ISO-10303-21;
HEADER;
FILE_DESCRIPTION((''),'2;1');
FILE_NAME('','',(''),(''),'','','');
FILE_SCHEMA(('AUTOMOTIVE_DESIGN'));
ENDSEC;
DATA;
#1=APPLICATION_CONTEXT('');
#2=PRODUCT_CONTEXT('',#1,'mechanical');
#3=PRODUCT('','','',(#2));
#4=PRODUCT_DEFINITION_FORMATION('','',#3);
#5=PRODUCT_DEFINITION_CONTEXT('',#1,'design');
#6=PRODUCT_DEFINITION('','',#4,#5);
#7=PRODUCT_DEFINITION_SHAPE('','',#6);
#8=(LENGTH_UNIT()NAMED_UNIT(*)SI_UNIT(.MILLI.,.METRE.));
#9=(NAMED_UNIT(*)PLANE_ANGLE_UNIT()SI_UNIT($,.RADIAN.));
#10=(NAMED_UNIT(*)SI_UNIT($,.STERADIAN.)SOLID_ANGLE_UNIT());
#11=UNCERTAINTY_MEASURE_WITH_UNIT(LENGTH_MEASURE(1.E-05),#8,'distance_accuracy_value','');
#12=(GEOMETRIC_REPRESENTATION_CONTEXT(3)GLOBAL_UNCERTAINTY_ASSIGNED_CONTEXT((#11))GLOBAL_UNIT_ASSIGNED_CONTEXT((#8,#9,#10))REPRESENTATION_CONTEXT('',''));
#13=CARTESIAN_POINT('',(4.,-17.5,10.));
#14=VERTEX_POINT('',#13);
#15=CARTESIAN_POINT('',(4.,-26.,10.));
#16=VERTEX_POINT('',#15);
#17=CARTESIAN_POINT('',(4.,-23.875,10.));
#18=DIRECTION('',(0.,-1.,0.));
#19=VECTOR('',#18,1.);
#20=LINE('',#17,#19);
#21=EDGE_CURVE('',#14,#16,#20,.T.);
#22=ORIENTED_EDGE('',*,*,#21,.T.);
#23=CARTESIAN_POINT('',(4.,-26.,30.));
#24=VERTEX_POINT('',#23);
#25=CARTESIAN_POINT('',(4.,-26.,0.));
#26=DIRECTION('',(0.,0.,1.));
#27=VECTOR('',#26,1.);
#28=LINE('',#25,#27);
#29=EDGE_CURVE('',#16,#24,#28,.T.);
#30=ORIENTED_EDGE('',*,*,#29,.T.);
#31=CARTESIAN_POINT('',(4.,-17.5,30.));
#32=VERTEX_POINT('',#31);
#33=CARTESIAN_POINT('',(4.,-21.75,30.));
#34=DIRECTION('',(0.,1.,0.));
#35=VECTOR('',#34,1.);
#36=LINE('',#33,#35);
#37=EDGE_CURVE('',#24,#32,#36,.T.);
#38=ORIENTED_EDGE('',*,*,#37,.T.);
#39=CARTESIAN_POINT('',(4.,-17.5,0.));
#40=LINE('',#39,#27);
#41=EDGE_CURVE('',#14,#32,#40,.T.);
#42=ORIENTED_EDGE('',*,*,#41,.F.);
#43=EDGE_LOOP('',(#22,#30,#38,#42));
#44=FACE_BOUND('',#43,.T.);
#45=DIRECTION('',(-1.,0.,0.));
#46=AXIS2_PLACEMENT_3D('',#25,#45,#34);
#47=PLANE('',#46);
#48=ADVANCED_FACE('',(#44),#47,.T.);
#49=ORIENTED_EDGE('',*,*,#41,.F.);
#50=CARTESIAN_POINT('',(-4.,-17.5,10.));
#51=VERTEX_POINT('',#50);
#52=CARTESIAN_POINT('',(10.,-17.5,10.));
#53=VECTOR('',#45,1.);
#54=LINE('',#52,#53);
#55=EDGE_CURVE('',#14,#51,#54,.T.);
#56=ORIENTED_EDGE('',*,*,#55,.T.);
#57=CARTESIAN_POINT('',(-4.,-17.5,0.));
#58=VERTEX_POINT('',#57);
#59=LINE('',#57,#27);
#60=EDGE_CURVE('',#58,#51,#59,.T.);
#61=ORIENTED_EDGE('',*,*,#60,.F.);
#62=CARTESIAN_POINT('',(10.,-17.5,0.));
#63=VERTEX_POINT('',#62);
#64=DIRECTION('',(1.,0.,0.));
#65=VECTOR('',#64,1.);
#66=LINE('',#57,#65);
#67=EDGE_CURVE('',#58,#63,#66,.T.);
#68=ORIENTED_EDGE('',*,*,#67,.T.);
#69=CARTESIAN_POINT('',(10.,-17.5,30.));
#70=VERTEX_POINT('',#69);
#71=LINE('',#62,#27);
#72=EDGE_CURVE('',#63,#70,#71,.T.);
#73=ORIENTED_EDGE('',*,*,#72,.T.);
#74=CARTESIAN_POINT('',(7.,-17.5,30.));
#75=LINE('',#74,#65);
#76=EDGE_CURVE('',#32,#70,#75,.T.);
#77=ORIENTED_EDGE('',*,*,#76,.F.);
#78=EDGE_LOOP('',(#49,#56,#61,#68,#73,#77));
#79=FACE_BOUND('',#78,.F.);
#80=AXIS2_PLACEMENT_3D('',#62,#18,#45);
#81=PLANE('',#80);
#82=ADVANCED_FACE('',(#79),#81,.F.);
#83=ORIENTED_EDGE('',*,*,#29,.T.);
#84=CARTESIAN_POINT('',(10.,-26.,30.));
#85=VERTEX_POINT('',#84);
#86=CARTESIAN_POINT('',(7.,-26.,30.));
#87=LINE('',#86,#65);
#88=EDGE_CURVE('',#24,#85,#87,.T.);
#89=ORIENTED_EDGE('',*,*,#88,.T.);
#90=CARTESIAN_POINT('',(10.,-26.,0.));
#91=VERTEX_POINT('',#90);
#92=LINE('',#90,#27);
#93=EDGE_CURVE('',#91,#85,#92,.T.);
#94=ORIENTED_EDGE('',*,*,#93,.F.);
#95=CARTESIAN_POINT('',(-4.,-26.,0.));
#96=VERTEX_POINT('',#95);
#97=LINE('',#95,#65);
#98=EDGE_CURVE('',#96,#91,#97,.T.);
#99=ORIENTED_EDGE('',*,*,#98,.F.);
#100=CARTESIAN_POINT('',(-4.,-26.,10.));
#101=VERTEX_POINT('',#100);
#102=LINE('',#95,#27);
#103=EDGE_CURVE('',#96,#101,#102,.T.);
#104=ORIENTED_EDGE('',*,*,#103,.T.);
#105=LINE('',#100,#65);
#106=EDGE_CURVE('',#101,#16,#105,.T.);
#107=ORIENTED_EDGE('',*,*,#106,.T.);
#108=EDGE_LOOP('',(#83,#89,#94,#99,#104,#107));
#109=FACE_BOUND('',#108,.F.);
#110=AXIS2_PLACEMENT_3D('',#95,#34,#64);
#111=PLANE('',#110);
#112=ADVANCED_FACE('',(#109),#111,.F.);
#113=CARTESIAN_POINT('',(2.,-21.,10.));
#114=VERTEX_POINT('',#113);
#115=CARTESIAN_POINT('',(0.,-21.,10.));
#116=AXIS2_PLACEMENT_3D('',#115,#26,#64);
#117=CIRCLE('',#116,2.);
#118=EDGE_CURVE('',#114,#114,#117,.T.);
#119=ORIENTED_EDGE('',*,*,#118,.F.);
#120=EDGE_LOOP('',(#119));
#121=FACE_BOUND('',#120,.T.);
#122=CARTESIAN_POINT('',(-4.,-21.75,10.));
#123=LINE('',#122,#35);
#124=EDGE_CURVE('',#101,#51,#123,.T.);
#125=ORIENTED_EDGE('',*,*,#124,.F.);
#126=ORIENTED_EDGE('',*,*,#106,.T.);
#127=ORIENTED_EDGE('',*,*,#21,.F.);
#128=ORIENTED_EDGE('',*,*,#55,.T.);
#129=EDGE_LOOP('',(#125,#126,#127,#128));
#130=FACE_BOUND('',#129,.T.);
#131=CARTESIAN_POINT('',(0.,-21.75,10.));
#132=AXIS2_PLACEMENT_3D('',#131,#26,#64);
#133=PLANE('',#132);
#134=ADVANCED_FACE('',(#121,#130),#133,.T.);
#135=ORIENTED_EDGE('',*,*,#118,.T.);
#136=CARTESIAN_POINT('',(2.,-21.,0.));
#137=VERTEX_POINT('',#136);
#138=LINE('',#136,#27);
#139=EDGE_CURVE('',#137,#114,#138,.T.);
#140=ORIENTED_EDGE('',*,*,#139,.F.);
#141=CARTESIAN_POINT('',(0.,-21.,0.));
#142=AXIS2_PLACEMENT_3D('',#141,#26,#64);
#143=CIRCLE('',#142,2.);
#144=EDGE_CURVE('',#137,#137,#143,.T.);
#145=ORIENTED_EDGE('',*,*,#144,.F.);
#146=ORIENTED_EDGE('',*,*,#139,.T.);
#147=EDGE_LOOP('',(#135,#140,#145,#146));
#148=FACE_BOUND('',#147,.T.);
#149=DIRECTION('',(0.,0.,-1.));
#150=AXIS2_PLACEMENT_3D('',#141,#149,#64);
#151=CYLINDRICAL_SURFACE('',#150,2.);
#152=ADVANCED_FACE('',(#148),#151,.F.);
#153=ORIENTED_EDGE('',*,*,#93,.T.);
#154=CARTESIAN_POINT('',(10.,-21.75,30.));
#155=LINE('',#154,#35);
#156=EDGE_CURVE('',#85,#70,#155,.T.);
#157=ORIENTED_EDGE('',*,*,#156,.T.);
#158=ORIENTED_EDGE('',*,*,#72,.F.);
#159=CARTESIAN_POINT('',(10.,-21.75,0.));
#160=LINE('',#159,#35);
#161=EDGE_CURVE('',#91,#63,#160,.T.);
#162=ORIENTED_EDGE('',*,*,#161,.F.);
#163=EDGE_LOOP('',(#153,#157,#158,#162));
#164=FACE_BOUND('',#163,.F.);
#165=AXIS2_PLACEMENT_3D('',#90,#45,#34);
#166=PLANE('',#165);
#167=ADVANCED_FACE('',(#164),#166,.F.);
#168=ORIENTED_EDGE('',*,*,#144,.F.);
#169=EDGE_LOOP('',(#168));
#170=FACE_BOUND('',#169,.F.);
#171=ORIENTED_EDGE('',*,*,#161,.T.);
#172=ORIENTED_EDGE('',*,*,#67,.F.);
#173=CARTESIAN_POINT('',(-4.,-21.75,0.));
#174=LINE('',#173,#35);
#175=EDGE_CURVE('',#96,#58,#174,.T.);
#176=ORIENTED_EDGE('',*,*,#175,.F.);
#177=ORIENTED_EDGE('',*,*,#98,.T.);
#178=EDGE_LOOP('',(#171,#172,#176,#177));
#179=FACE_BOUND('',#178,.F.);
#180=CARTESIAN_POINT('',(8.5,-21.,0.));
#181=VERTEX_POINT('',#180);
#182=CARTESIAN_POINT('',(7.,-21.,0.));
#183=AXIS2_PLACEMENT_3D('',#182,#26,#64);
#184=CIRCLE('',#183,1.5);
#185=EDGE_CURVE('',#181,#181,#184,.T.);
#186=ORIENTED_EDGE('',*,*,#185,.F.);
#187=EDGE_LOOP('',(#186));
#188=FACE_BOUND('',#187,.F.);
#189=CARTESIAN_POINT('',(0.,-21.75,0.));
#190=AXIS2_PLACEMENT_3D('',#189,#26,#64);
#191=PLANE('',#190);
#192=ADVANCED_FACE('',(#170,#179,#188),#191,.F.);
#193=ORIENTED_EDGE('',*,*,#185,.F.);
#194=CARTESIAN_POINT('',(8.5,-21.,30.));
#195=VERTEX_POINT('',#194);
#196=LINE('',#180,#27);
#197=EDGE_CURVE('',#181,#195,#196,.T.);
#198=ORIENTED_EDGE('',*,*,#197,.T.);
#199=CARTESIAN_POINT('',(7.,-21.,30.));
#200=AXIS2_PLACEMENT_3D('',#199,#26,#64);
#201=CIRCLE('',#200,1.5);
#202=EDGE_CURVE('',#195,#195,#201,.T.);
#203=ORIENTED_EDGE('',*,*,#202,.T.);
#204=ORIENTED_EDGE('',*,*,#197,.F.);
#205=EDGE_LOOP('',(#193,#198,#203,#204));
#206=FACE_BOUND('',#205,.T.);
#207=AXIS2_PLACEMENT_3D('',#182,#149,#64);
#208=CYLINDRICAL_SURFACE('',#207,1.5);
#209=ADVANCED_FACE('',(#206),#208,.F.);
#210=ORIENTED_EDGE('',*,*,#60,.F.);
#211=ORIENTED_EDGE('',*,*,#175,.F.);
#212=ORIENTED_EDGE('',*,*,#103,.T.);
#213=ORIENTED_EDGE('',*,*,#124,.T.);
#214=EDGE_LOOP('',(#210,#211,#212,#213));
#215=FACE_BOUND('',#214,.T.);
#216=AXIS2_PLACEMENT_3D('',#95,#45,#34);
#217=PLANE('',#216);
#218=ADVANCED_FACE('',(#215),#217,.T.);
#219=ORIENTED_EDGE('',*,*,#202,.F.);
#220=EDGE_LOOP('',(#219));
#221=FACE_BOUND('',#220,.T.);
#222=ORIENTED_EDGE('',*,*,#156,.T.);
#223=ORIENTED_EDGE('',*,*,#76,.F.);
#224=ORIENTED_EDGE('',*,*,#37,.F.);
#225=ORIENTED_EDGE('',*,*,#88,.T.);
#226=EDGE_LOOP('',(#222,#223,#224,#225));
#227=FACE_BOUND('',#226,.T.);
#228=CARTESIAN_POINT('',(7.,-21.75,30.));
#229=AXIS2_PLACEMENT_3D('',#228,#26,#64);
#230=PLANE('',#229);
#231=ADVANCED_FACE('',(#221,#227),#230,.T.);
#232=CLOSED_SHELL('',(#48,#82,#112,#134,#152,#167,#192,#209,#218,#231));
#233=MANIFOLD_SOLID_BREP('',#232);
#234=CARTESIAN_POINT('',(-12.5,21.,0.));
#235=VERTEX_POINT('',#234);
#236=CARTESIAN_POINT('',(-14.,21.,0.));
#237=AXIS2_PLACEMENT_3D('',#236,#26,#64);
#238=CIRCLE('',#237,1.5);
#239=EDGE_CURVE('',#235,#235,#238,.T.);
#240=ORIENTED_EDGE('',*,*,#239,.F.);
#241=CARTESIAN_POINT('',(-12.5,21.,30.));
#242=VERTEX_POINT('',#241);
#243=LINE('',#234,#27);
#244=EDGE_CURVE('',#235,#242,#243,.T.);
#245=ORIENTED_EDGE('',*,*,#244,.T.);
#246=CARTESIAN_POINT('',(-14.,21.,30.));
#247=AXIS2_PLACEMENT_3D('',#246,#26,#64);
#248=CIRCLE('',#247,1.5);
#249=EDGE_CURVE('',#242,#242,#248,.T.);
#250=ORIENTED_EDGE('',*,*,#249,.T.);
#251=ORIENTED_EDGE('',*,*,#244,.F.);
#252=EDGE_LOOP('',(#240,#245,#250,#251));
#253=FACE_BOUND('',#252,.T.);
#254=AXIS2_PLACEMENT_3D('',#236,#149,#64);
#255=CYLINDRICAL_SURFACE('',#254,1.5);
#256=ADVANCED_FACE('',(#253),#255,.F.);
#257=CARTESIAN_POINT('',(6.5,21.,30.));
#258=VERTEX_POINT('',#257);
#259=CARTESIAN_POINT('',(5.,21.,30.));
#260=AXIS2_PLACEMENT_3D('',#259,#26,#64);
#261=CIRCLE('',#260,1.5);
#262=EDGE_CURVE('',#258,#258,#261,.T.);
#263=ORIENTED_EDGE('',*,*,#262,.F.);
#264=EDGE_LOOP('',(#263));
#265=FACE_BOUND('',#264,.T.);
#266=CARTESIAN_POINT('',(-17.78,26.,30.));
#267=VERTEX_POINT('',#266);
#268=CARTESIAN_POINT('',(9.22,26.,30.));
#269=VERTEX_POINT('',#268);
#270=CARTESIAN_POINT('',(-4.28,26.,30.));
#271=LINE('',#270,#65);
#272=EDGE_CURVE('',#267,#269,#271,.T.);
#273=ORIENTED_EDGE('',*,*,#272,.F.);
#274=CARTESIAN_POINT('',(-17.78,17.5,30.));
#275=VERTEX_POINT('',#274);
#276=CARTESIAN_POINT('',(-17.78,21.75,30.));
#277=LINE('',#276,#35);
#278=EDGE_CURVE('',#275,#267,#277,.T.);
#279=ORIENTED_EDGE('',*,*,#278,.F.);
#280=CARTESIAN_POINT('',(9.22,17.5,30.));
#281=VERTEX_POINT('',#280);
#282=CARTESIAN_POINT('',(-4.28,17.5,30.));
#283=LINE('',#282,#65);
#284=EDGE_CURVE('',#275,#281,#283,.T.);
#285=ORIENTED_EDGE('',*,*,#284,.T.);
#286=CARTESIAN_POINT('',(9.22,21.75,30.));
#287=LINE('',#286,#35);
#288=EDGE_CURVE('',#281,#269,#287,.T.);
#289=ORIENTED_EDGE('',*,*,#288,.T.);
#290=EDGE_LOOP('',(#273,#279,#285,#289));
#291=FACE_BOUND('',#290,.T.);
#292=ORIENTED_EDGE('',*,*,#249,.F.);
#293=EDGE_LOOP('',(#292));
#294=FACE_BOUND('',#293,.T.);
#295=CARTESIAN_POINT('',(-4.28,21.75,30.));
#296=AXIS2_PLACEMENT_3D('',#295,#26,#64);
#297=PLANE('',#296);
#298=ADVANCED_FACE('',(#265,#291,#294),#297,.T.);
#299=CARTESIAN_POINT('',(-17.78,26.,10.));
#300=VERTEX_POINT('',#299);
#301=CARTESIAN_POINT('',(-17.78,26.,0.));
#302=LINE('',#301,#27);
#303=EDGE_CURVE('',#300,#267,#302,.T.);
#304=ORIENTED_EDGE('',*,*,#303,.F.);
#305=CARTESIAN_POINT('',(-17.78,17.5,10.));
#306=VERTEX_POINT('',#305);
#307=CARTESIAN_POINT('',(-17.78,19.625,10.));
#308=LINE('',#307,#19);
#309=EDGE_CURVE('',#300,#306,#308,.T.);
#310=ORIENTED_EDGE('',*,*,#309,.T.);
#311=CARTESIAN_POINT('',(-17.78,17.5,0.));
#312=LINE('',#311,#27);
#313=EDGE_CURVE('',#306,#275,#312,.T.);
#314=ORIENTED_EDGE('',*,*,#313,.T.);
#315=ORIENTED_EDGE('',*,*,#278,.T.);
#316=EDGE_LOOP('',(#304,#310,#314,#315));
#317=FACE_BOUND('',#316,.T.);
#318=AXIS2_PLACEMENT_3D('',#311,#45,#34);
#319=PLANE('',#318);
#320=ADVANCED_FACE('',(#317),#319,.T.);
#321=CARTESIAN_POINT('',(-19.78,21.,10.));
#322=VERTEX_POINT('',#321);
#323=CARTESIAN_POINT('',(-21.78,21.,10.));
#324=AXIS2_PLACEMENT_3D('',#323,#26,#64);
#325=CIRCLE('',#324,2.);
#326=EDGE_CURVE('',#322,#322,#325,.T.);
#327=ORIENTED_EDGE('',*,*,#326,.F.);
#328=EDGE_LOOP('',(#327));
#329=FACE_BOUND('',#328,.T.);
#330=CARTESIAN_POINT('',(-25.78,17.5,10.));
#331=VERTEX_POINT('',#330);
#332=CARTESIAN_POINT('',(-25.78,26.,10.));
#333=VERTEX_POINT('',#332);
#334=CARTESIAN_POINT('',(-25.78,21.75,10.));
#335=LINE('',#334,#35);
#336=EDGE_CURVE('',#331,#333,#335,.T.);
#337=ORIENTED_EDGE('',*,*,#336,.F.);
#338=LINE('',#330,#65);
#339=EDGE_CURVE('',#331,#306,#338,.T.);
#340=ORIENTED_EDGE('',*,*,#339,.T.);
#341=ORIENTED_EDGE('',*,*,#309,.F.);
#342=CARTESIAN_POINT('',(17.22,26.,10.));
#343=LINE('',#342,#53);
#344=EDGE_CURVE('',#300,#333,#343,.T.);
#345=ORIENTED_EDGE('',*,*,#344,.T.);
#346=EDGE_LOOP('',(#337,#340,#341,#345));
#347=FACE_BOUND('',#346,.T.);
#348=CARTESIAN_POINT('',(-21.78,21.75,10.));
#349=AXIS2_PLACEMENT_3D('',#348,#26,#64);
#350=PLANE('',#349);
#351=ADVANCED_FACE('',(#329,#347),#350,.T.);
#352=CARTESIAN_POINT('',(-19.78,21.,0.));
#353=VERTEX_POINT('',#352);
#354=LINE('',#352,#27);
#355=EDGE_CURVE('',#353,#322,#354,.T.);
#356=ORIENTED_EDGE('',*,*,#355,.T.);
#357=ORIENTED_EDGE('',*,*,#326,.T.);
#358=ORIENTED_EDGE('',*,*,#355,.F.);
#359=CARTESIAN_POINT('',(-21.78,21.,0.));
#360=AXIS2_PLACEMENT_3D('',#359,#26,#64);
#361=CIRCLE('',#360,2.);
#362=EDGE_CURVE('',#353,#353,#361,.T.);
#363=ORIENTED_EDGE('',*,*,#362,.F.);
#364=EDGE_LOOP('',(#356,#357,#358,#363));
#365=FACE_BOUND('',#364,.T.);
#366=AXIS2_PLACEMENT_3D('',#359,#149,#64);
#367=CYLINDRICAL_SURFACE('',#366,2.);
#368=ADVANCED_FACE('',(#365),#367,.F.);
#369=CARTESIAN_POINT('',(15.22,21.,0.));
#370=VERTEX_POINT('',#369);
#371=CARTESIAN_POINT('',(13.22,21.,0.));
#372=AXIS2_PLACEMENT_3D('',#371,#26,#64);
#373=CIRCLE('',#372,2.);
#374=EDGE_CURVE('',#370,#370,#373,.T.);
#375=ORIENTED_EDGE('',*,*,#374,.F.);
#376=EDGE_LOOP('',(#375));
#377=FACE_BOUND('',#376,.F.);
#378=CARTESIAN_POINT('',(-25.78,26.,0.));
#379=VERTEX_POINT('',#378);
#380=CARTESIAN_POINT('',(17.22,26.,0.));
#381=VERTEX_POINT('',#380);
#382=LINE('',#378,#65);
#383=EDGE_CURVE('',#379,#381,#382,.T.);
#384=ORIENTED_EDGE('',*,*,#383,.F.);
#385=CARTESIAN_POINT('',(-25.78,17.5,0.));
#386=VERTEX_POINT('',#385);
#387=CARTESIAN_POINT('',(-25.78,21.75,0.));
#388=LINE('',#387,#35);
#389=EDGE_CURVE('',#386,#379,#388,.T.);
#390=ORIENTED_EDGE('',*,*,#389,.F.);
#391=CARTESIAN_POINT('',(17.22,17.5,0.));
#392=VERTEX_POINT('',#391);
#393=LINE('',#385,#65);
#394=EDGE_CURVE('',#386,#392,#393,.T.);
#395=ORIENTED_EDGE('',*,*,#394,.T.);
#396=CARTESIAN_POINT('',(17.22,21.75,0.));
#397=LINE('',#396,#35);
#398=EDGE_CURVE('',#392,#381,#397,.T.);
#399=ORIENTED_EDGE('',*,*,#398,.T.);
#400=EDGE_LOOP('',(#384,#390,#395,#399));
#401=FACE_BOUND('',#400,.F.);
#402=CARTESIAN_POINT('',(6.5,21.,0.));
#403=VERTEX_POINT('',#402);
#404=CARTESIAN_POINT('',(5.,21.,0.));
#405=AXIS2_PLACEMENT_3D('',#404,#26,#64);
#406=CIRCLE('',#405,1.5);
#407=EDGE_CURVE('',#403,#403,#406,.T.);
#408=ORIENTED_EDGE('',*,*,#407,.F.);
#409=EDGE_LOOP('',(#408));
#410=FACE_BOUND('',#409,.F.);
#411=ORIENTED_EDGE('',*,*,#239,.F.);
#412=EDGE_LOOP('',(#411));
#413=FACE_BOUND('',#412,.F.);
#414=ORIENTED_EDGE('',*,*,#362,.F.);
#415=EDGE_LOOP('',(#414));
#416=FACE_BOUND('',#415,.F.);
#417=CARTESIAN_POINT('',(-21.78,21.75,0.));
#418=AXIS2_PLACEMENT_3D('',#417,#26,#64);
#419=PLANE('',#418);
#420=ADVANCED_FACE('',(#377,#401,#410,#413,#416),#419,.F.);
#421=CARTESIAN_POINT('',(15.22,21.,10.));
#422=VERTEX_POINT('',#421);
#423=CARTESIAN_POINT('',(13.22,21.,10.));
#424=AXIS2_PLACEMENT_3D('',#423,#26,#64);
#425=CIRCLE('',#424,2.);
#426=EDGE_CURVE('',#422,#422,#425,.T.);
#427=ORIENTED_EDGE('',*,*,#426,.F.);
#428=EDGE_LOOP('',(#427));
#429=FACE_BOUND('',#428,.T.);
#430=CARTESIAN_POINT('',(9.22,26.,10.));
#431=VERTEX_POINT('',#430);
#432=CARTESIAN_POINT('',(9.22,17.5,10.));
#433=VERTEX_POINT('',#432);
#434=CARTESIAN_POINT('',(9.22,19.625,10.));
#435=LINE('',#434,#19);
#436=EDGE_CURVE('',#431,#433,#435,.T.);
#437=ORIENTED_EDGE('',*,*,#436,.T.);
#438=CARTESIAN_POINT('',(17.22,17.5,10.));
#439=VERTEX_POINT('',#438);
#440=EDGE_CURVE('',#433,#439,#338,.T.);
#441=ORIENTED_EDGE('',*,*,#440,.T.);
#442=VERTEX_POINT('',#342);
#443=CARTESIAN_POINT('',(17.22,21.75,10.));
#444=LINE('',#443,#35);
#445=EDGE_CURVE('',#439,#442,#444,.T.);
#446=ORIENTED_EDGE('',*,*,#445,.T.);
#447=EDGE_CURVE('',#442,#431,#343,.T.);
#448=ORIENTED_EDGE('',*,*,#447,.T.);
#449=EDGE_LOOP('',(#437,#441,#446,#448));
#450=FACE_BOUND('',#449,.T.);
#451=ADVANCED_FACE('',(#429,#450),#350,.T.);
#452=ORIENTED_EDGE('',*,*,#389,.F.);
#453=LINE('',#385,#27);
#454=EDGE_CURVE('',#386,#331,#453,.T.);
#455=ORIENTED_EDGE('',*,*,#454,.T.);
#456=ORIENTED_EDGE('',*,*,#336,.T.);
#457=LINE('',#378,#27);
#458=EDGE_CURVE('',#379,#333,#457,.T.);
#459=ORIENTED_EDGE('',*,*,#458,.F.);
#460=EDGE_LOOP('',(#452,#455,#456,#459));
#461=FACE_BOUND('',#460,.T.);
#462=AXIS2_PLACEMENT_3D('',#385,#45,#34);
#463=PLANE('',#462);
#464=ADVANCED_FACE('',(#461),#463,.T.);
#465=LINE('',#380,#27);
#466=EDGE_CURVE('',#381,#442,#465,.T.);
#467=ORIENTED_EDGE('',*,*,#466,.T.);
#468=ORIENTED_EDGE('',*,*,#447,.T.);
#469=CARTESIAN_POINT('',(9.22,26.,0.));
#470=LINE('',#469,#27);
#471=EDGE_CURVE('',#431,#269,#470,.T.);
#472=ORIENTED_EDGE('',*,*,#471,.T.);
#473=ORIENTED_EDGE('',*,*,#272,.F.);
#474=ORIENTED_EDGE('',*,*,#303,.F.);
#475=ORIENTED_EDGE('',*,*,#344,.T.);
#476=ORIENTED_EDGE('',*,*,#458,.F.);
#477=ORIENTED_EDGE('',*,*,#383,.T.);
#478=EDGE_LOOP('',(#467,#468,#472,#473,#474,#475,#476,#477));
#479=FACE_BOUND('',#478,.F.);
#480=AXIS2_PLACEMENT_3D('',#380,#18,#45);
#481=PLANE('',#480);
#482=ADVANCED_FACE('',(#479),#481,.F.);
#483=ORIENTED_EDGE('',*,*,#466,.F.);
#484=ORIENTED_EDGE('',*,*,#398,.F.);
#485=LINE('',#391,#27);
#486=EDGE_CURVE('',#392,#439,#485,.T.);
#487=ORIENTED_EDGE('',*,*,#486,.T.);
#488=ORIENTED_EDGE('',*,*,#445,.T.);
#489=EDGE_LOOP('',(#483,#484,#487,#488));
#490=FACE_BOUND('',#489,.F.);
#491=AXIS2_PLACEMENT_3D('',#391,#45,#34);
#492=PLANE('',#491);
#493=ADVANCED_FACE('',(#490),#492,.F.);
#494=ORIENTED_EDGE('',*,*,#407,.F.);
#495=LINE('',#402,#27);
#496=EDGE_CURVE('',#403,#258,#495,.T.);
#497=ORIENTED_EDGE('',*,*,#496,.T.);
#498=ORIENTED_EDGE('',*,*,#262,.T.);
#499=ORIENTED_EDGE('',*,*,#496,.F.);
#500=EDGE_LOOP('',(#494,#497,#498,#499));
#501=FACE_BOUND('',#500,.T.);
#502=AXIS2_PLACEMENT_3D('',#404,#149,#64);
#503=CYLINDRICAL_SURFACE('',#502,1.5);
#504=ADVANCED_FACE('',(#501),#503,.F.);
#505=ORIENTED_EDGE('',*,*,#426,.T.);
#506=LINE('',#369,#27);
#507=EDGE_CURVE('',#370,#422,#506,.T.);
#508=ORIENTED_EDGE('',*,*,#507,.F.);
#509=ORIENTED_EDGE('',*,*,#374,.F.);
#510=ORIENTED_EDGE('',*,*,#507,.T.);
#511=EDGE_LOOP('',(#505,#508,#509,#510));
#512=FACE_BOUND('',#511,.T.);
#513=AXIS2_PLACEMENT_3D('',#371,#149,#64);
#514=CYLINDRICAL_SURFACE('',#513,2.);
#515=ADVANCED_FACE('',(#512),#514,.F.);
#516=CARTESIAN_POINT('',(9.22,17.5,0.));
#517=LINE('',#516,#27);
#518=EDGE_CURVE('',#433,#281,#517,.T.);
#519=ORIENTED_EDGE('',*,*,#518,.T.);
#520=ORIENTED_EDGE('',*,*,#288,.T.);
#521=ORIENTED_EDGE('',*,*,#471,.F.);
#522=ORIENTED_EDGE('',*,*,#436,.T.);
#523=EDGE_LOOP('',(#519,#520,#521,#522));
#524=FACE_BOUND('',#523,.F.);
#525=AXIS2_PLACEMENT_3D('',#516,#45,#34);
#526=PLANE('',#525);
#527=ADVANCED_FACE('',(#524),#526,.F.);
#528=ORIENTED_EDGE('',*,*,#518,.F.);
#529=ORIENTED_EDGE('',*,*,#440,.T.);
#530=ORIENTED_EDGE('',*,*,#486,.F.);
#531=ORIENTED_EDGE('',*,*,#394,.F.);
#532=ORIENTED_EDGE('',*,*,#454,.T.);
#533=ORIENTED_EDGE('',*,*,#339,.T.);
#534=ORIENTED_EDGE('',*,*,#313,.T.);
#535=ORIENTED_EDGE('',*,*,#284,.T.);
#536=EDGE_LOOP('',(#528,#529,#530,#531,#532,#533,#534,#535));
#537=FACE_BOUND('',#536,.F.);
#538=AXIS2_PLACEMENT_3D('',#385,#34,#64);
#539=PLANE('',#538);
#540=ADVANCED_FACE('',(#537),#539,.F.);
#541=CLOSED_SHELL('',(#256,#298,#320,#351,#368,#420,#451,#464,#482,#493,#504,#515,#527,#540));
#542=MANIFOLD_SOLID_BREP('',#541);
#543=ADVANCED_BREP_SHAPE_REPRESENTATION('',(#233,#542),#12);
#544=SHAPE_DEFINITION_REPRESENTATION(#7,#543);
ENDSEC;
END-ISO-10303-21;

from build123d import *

# Parameters (mm, degrees)
F0_W     = 8
F0_H     = 8.5
F0_R     = 2
F0_W_2   = 27
F0_R_2   = 1.5
F1_DEPTH = 10
F2_DEPTH = 30
F0_W_3   = 6
F3_DEPTH = 10
F4_DEPTH = 30


with BuildPart() as f1:
    # F0 (on Top) → F1 (new body)
    with BuildSketch(Plane.XY):
        with Locations((-21.78, 21.75)):
            Rectangle(F0_W, F0_H)
        with Locations((-21.78, 21)):
            Circle(F0_R, mode=Mode.SUBTRACT)
        with Locations((-4.28, 21.75)):
            Rectangle(F0_W_2, F0_H)
        with Locations((-14, 21)):
            Circle(F0_R_2, mode=Mode.SUBTRACT)
        with Locations((5, 21)):
            Circle(F0_R_2, mode=Mode.SUBTRACT)
        with Locations((13.22, 21.75)):
            Rectangle(F0_W, F0_H)
        with Locations((13.22, 21)):
            Circle(F0_R, mode=Mode.SUBTRACT)
    extrude(amount=F1_DEPTH)

    # F0 (on Top) → F2 (join)
    with BuildSketch(Plane.XY):
        with Locations((-4.28, 21.75)):
            Rectangle(F0_W_2, F0_H)
        with Locations((-14, 21)):
            Circle(F0_R_2, mode=Mode.SUBTRACT)
        with Locations((5, 21)):
            Circle(F0_R_2, mode=Mode.SUBTRACT)
    extrude(amount=F2_DEPTH)


with BuildPart() as f3:
    # F0 (on Top) → F3 (new body)
    with BuildSketch(Plane.XY):
        with Locations((0, -21.75)):
            Rectangle(F0_W, F0_H)
        with Locations((0, -21)):
            Circle(F0_R, mode=Mode.SUBTRACT)
        with Locations((7, -21.75)):
            Rectangle(F0_W_3, F0_H)
        with Locations((7, -21)):
            Circle(F0_R_2, mode=Mode.SUBTRACT)
    extrude(amount=F3_DEPTH)

    # F0 (on Top) → F4 (join)
    with BuildSketch(Plane.XY):
        with Locations((7, -21.75)):
            Rectangle(F0_W_3, F0_H)
        with Locations((7, -21)):
            Circle(F0_R_2, mode=Mode.SUBTRACT)
    extrude(amount=F4_DEPTH)


solid = Compound([f1.part, f3.part])
